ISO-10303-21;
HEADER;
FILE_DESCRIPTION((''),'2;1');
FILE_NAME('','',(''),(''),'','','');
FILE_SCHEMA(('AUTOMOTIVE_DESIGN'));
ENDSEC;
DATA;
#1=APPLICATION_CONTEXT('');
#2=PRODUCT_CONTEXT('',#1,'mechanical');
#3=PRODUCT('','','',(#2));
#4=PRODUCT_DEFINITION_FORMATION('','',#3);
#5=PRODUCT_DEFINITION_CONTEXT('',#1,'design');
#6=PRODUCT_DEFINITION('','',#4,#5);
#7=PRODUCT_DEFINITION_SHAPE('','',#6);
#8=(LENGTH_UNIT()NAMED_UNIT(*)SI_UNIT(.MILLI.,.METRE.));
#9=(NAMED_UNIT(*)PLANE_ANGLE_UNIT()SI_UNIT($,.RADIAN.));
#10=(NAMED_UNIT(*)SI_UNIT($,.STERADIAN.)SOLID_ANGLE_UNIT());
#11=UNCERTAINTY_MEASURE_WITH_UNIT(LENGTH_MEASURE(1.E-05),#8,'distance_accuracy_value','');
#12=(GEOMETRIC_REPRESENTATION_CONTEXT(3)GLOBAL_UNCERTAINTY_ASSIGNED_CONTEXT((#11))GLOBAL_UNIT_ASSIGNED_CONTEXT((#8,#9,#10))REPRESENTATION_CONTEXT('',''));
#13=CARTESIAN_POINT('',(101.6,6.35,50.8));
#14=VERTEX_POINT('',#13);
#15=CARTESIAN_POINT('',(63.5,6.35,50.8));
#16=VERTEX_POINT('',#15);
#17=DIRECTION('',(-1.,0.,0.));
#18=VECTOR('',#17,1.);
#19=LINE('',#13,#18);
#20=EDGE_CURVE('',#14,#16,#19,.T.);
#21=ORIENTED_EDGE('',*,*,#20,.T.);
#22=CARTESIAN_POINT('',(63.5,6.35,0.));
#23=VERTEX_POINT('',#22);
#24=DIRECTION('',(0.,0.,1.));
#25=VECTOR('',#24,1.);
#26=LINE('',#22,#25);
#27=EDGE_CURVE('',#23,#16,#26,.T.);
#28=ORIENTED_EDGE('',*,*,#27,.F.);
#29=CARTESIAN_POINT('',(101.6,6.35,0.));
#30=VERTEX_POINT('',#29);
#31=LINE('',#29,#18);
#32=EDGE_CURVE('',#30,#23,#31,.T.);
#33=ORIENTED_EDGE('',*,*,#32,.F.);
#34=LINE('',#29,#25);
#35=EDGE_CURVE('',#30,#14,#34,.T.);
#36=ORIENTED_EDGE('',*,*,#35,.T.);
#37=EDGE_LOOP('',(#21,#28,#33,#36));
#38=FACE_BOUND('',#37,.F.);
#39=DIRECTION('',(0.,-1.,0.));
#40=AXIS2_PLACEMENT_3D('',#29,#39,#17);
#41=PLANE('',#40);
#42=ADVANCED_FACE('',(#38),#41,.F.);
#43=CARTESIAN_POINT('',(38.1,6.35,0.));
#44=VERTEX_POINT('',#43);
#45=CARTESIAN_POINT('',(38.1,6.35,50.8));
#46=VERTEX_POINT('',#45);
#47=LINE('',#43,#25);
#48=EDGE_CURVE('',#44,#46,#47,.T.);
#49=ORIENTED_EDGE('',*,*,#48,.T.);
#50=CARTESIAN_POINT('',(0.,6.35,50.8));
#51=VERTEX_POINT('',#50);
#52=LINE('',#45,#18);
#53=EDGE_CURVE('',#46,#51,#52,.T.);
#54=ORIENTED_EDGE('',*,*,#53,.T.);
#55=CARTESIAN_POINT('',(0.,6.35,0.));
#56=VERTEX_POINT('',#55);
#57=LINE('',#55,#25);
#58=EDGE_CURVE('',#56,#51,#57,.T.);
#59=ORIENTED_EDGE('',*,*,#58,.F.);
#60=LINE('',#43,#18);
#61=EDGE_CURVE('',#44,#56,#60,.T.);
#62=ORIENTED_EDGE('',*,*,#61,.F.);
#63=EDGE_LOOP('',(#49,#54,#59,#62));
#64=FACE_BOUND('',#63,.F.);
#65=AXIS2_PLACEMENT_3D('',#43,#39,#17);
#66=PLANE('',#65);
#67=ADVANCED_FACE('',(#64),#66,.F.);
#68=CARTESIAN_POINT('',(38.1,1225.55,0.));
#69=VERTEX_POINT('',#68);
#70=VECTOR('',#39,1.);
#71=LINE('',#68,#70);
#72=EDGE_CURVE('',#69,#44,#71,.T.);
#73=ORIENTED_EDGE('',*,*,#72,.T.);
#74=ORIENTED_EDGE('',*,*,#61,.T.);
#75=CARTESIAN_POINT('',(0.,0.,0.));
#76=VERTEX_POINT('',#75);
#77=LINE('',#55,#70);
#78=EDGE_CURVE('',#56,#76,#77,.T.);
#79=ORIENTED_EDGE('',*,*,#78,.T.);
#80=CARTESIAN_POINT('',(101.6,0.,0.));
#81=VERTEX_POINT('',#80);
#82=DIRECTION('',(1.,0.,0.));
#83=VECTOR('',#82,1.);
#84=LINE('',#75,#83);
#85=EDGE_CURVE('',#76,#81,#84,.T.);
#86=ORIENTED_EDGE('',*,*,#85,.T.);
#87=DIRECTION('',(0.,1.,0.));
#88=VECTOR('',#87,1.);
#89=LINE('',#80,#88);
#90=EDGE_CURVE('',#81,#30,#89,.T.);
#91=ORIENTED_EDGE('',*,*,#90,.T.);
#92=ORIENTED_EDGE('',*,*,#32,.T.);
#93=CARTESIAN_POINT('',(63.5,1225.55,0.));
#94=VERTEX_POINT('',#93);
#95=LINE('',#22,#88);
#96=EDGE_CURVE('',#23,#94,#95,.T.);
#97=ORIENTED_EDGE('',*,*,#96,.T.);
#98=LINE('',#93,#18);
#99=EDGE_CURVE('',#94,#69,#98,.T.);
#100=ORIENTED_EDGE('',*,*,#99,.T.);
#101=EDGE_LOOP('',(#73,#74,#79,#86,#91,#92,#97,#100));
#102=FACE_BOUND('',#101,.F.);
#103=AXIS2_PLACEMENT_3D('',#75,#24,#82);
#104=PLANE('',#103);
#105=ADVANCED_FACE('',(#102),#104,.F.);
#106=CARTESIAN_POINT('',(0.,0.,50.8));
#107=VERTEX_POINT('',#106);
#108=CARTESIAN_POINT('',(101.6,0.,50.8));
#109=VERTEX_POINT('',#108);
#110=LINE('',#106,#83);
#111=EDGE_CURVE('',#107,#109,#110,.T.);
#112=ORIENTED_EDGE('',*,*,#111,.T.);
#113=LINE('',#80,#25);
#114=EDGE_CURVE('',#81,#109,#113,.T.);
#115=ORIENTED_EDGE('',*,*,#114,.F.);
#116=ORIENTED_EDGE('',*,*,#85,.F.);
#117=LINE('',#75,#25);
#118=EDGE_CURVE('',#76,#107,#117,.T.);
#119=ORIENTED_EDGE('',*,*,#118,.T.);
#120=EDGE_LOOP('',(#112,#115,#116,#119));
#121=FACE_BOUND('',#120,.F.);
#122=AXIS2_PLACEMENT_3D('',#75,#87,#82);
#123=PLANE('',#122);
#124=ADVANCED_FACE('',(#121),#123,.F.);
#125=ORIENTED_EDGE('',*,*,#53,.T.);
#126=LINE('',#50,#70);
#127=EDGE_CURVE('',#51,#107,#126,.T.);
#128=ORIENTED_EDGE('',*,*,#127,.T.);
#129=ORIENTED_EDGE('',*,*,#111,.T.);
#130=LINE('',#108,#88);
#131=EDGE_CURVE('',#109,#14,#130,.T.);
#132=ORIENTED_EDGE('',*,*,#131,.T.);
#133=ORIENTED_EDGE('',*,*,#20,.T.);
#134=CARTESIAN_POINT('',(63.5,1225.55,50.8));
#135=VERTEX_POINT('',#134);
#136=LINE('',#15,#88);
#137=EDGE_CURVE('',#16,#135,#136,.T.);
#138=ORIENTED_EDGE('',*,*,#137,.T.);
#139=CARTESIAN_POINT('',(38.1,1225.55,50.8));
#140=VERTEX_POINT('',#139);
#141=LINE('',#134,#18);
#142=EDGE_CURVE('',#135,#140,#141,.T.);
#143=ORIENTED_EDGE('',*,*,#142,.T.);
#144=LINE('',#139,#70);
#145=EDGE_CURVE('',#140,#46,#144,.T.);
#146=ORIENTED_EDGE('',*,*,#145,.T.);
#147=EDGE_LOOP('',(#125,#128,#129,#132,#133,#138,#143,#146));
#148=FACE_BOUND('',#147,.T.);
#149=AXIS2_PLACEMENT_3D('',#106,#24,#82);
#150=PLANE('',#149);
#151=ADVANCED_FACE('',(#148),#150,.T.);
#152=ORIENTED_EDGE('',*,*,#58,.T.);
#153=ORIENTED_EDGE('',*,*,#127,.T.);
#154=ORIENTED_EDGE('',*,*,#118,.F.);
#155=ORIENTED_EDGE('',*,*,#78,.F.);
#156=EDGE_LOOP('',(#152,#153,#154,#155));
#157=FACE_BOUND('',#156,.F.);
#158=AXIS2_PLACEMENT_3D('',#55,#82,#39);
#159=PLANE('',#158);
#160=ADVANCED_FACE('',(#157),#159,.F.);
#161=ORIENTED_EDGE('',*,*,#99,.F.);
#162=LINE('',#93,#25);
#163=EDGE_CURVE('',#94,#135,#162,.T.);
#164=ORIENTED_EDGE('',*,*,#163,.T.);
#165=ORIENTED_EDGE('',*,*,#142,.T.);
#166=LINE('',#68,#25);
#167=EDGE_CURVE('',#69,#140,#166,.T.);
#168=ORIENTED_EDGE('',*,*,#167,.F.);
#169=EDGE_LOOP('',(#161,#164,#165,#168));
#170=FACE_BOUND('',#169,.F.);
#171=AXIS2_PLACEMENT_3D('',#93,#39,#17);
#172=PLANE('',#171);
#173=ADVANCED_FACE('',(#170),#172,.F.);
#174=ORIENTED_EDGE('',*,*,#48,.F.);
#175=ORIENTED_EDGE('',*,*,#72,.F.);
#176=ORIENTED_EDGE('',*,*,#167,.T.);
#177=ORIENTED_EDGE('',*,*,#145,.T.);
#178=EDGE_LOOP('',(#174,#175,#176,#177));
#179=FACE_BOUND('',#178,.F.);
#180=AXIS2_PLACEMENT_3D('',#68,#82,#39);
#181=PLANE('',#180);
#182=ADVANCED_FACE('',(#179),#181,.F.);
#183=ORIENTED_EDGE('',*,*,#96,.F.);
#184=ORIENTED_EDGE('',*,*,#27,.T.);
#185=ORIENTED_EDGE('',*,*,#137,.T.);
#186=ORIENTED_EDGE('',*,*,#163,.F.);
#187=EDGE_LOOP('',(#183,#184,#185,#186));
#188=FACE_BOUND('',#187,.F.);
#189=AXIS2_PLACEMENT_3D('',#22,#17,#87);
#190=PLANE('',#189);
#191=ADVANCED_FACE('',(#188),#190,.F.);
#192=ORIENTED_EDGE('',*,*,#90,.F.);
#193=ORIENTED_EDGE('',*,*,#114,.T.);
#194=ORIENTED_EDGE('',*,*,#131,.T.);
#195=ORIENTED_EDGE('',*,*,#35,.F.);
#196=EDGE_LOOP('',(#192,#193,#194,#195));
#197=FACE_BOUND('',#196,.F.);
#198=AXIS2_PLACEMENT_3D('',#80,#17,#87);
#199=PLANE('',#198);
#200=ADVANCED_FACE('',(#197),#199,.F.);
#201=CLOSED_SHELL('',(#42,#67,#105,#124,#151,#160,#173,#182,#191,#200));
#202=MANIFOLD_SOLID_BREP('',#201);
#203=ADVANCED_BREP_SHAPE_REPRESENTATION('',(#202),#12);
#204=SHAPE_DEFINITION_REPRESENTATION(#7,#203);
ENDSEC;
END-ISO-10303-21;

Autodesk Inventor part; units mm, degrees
ref_plane "YZ Plane" through (0, 0, 0) normal (1, 0, 0) x (0, 1, 0)
ref_plane "XZ Plane" through (0, 0, 0) normal (0, 1, 0) x (-1, 0, 0)
ref_plane "XY Plane" through (0, 0, 0) normal (0, 0, 1) x (1, 0, 0)
sketch "Sketch3" plane through (0, 0, 0) normal (0, 0, 1) x (1, 0, 0)
  line L0 (0, 0) -> (101.6, 0)
  line L1 (101.6, 0) -> (101.6, 6.35)
  line L2 (101.6, 6.35) -> (63.5, 6.35)
  line L3 (101.6, 6.35) -> (139.7, 6.35) construction
  line L4 (63.5, 6.35) -> (63.5, 1225.55)
  line L5 (63.5, 1225.55) -> (38.1, 1225.55)
  line L6 (38.1, 1225.55) -> (38.1, 6.35)
  line L7 (38.1, 6.35) -> (0, 6.35)
  line L8 (0, 6.35) -> (0, 0)
  dimension "d15" = 101.6
  dimension "d16" = 6.35
  dimension "d17" = 38.1
  dimension "d18" = 180
  dimension "d19" = 1219.2
  dimension "d20" = 90
  dimension "d21" = 25.4
  dimension "d22" = 1219.2
  dimension "d23" = 90
extrude "Extrusion3" add sketch "Sketch3" along normal blind 50.8
properties part number "Lift Towers"
